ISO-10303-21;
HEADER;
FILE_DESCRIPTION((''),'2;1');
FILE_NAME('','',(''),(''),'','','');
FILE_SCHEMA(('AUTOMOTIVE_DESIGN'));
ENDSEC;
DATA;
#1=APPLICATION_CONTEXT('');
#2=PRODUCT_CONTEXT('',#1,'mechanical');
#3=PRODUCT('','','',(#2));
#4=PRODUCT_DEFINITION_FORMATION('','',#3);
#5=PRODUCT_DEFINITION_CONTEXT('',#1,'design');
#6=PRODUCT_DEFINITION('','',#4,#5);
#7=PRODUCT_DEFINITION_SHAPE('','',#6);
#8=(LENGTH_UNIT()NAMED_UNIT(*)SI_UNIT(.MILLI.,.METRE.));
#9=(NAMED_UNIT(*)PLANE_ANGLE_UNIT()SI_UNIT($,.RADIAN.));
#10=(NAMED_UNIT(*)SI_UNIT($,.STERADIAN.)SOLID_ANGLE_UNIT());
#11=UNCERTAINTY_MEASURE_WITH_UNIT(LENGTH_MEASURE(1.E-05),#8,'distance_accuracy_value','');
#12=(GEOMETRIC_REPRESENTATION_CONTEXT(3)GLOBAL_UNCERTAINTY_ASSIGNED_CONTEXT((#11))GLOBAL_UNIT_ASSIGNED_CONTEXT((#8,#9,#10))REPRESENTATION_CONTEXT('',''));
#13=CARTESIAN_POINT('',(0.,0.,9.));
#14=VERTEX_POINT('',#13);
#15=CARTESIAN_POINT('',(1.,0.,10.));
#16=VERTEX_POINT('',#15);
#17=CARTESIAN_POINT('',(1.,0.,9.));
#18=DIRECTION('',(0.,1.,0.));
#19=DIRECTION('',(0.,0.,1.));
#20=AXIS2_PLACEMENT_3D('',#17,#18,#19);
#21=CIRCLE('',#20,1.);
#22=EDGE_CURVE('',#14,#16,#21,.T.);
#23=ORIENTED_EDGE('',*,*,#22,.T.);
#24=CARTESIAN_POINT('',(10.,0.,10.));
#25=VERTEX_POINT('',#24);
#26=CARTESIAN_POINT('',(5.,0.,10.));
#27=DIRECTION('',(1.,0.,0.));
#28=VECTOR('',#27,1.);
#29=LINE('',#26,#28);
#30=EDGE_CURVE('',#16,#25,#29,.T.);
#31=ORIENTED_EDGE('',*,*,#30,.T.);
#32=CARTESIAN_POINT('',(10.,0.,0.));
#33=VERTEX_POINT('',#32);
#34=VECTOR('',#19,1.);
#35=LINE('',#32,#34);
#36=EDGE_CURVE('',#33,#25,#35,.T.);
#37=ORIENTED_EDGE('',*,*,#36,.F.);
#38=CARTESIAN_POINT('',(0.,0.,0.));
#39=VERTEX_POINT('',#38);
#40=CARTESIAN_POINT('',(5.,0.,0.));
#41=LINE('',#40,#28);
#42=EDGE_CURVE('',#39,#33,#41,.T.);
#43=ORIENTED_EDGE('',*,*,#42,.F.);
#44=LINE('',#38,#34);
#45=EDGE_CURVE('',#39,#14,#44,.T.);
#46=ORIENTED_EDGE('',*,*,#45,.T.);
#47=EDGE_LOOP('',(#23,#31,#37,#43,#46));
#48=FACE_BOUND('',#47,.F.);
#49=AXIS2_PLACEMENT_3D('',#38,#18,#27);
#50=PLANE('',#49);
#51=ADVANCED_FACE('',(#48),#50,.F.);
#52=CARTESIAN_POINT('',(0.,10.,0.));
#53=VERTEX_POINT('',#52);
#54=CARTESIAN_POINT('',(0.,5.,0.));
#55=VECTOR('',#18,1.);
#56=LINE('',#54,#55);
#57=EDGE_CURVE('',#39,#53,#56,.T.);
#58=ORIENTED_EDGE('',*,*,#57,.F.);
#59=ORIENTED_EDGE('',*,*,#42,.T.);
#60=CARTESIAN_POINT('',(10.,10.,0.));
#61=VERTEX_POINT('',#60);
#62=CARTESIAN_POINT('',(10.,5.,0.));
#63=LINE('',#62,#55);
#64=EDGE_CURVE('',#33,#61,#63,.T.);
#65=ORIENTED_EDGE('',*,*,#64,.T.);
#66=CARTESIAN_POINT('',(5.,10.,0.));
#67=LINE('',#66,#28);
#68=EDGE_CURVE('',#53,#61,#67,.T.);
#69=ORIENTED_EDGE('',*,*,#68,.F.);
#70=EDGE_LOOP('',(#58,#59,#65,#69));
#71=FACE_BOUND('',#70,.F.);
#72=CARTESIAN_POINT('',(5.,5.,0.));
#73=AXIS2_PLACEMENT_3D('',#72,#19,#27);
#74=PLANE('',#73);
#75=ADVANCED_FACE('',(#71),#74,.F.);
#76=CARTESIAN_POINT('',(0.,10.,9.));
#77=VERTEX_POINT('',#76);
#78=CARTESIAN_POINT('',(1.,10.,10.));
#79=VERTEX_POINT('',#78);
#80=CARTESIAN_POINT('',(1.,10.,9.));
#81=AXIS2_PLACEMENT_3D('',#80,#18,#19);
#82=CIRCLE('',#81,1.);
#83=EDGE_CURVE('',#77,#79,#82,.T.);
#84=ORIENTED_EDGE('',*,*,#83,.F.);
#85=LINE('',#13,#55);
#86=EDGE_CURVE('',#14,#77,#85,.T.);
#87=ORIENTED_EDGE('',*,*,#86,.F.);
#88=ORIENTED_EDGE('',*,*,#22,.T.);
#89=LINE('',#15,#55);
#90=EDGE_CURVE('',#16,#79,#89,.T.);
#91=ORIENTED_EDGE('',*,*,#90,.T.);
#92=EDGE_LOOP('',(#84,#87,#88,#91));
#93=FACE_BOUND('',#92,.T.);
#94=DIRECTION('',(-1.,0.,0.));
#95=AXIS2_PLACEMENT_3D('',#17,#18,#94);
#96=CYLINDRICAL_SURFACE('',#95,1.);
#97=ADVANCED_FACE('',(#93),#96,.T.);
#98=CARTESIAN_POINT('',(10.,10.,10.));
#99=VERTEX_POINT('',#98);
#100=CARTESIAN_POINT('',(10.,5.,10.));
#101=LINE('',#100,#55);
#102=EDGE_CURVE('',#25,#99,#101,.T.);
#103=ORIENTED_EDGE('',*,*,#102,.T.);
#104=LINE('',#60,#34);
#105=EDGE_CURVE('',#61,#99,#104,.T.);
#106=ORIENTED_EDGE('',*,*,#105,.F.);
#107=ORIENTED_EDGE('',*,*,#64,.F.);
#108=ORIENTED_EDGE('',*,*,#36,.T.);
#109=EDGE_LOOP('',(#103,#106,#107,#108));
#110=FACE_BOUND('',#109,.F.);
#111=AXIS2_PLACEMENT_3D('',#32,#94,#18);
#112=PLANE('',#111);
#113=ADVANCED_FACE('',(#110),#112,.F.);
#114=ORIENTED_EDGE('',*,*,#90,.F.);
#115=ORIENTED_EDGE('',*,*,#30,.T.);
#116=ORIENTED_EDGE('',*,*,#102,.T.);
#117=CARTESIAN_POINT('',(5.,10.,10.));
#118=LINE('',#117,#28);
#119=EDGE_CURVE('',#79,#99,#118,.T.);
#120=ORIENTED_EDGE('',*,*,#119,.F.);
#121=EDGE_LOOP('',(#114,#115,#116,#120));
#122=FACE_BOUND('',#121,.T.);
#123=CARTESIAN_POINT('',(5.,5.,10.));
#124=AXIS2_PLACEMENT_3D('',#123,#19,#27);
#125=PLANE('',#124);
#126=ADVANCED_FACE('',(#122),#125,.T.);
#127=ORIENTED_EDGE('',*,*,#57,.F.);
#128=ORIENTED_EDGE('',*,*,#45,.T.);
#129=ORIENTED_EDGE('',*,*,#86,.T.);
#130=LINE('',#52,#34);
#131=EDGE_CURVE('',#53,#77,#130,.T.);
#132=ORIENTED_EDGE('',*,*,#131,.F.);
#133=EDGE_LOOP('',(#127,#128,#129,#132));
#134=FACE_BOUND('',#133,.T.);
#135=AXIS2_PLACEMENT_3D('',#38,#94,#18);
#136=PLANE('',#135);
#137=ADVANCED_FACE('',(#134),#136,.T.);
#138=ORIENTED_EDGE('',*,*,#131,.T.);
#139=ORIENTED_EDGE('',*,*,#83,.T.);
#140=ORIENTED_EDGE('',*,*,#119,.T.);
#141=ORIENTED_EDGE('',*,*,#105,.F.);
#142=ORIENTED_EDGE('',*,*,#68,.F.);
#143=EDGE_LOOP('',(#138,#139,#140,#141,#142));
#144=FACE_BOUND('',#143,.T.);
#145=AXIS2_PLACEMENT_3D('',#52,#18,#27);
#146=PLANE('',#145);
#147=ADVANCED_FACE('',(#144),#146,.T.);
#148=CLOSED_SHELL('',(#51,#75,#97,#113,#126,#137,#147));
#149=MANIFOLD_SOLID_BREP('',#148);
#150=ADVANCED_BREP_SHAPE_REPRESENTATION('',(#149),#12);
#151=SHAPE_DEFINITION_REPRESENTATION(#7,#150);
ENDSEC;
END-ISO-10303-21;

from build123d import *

# Parameters (mm, degrees)
BOX_W     = 10
BOX_H     = 10
BOX_DEPTH = 10
FILLET_R  = 1


with BuildPart() as part:
    # Box → Box (new body)
    with BuildSketch(Plane.XY):
        with Locations((5, 5)):
            Rectangle(BOX_W, BOX_H)
    extrude(amount=BOX_DEPTH)

    # Fillet
    fillet_edges = [part.edges().sort_by_distance(p)[0] for p in [
        (0, 5, 10),
    ]]
    fillet(fillet_edges, radius=FILLET_R)


solid = part.part
